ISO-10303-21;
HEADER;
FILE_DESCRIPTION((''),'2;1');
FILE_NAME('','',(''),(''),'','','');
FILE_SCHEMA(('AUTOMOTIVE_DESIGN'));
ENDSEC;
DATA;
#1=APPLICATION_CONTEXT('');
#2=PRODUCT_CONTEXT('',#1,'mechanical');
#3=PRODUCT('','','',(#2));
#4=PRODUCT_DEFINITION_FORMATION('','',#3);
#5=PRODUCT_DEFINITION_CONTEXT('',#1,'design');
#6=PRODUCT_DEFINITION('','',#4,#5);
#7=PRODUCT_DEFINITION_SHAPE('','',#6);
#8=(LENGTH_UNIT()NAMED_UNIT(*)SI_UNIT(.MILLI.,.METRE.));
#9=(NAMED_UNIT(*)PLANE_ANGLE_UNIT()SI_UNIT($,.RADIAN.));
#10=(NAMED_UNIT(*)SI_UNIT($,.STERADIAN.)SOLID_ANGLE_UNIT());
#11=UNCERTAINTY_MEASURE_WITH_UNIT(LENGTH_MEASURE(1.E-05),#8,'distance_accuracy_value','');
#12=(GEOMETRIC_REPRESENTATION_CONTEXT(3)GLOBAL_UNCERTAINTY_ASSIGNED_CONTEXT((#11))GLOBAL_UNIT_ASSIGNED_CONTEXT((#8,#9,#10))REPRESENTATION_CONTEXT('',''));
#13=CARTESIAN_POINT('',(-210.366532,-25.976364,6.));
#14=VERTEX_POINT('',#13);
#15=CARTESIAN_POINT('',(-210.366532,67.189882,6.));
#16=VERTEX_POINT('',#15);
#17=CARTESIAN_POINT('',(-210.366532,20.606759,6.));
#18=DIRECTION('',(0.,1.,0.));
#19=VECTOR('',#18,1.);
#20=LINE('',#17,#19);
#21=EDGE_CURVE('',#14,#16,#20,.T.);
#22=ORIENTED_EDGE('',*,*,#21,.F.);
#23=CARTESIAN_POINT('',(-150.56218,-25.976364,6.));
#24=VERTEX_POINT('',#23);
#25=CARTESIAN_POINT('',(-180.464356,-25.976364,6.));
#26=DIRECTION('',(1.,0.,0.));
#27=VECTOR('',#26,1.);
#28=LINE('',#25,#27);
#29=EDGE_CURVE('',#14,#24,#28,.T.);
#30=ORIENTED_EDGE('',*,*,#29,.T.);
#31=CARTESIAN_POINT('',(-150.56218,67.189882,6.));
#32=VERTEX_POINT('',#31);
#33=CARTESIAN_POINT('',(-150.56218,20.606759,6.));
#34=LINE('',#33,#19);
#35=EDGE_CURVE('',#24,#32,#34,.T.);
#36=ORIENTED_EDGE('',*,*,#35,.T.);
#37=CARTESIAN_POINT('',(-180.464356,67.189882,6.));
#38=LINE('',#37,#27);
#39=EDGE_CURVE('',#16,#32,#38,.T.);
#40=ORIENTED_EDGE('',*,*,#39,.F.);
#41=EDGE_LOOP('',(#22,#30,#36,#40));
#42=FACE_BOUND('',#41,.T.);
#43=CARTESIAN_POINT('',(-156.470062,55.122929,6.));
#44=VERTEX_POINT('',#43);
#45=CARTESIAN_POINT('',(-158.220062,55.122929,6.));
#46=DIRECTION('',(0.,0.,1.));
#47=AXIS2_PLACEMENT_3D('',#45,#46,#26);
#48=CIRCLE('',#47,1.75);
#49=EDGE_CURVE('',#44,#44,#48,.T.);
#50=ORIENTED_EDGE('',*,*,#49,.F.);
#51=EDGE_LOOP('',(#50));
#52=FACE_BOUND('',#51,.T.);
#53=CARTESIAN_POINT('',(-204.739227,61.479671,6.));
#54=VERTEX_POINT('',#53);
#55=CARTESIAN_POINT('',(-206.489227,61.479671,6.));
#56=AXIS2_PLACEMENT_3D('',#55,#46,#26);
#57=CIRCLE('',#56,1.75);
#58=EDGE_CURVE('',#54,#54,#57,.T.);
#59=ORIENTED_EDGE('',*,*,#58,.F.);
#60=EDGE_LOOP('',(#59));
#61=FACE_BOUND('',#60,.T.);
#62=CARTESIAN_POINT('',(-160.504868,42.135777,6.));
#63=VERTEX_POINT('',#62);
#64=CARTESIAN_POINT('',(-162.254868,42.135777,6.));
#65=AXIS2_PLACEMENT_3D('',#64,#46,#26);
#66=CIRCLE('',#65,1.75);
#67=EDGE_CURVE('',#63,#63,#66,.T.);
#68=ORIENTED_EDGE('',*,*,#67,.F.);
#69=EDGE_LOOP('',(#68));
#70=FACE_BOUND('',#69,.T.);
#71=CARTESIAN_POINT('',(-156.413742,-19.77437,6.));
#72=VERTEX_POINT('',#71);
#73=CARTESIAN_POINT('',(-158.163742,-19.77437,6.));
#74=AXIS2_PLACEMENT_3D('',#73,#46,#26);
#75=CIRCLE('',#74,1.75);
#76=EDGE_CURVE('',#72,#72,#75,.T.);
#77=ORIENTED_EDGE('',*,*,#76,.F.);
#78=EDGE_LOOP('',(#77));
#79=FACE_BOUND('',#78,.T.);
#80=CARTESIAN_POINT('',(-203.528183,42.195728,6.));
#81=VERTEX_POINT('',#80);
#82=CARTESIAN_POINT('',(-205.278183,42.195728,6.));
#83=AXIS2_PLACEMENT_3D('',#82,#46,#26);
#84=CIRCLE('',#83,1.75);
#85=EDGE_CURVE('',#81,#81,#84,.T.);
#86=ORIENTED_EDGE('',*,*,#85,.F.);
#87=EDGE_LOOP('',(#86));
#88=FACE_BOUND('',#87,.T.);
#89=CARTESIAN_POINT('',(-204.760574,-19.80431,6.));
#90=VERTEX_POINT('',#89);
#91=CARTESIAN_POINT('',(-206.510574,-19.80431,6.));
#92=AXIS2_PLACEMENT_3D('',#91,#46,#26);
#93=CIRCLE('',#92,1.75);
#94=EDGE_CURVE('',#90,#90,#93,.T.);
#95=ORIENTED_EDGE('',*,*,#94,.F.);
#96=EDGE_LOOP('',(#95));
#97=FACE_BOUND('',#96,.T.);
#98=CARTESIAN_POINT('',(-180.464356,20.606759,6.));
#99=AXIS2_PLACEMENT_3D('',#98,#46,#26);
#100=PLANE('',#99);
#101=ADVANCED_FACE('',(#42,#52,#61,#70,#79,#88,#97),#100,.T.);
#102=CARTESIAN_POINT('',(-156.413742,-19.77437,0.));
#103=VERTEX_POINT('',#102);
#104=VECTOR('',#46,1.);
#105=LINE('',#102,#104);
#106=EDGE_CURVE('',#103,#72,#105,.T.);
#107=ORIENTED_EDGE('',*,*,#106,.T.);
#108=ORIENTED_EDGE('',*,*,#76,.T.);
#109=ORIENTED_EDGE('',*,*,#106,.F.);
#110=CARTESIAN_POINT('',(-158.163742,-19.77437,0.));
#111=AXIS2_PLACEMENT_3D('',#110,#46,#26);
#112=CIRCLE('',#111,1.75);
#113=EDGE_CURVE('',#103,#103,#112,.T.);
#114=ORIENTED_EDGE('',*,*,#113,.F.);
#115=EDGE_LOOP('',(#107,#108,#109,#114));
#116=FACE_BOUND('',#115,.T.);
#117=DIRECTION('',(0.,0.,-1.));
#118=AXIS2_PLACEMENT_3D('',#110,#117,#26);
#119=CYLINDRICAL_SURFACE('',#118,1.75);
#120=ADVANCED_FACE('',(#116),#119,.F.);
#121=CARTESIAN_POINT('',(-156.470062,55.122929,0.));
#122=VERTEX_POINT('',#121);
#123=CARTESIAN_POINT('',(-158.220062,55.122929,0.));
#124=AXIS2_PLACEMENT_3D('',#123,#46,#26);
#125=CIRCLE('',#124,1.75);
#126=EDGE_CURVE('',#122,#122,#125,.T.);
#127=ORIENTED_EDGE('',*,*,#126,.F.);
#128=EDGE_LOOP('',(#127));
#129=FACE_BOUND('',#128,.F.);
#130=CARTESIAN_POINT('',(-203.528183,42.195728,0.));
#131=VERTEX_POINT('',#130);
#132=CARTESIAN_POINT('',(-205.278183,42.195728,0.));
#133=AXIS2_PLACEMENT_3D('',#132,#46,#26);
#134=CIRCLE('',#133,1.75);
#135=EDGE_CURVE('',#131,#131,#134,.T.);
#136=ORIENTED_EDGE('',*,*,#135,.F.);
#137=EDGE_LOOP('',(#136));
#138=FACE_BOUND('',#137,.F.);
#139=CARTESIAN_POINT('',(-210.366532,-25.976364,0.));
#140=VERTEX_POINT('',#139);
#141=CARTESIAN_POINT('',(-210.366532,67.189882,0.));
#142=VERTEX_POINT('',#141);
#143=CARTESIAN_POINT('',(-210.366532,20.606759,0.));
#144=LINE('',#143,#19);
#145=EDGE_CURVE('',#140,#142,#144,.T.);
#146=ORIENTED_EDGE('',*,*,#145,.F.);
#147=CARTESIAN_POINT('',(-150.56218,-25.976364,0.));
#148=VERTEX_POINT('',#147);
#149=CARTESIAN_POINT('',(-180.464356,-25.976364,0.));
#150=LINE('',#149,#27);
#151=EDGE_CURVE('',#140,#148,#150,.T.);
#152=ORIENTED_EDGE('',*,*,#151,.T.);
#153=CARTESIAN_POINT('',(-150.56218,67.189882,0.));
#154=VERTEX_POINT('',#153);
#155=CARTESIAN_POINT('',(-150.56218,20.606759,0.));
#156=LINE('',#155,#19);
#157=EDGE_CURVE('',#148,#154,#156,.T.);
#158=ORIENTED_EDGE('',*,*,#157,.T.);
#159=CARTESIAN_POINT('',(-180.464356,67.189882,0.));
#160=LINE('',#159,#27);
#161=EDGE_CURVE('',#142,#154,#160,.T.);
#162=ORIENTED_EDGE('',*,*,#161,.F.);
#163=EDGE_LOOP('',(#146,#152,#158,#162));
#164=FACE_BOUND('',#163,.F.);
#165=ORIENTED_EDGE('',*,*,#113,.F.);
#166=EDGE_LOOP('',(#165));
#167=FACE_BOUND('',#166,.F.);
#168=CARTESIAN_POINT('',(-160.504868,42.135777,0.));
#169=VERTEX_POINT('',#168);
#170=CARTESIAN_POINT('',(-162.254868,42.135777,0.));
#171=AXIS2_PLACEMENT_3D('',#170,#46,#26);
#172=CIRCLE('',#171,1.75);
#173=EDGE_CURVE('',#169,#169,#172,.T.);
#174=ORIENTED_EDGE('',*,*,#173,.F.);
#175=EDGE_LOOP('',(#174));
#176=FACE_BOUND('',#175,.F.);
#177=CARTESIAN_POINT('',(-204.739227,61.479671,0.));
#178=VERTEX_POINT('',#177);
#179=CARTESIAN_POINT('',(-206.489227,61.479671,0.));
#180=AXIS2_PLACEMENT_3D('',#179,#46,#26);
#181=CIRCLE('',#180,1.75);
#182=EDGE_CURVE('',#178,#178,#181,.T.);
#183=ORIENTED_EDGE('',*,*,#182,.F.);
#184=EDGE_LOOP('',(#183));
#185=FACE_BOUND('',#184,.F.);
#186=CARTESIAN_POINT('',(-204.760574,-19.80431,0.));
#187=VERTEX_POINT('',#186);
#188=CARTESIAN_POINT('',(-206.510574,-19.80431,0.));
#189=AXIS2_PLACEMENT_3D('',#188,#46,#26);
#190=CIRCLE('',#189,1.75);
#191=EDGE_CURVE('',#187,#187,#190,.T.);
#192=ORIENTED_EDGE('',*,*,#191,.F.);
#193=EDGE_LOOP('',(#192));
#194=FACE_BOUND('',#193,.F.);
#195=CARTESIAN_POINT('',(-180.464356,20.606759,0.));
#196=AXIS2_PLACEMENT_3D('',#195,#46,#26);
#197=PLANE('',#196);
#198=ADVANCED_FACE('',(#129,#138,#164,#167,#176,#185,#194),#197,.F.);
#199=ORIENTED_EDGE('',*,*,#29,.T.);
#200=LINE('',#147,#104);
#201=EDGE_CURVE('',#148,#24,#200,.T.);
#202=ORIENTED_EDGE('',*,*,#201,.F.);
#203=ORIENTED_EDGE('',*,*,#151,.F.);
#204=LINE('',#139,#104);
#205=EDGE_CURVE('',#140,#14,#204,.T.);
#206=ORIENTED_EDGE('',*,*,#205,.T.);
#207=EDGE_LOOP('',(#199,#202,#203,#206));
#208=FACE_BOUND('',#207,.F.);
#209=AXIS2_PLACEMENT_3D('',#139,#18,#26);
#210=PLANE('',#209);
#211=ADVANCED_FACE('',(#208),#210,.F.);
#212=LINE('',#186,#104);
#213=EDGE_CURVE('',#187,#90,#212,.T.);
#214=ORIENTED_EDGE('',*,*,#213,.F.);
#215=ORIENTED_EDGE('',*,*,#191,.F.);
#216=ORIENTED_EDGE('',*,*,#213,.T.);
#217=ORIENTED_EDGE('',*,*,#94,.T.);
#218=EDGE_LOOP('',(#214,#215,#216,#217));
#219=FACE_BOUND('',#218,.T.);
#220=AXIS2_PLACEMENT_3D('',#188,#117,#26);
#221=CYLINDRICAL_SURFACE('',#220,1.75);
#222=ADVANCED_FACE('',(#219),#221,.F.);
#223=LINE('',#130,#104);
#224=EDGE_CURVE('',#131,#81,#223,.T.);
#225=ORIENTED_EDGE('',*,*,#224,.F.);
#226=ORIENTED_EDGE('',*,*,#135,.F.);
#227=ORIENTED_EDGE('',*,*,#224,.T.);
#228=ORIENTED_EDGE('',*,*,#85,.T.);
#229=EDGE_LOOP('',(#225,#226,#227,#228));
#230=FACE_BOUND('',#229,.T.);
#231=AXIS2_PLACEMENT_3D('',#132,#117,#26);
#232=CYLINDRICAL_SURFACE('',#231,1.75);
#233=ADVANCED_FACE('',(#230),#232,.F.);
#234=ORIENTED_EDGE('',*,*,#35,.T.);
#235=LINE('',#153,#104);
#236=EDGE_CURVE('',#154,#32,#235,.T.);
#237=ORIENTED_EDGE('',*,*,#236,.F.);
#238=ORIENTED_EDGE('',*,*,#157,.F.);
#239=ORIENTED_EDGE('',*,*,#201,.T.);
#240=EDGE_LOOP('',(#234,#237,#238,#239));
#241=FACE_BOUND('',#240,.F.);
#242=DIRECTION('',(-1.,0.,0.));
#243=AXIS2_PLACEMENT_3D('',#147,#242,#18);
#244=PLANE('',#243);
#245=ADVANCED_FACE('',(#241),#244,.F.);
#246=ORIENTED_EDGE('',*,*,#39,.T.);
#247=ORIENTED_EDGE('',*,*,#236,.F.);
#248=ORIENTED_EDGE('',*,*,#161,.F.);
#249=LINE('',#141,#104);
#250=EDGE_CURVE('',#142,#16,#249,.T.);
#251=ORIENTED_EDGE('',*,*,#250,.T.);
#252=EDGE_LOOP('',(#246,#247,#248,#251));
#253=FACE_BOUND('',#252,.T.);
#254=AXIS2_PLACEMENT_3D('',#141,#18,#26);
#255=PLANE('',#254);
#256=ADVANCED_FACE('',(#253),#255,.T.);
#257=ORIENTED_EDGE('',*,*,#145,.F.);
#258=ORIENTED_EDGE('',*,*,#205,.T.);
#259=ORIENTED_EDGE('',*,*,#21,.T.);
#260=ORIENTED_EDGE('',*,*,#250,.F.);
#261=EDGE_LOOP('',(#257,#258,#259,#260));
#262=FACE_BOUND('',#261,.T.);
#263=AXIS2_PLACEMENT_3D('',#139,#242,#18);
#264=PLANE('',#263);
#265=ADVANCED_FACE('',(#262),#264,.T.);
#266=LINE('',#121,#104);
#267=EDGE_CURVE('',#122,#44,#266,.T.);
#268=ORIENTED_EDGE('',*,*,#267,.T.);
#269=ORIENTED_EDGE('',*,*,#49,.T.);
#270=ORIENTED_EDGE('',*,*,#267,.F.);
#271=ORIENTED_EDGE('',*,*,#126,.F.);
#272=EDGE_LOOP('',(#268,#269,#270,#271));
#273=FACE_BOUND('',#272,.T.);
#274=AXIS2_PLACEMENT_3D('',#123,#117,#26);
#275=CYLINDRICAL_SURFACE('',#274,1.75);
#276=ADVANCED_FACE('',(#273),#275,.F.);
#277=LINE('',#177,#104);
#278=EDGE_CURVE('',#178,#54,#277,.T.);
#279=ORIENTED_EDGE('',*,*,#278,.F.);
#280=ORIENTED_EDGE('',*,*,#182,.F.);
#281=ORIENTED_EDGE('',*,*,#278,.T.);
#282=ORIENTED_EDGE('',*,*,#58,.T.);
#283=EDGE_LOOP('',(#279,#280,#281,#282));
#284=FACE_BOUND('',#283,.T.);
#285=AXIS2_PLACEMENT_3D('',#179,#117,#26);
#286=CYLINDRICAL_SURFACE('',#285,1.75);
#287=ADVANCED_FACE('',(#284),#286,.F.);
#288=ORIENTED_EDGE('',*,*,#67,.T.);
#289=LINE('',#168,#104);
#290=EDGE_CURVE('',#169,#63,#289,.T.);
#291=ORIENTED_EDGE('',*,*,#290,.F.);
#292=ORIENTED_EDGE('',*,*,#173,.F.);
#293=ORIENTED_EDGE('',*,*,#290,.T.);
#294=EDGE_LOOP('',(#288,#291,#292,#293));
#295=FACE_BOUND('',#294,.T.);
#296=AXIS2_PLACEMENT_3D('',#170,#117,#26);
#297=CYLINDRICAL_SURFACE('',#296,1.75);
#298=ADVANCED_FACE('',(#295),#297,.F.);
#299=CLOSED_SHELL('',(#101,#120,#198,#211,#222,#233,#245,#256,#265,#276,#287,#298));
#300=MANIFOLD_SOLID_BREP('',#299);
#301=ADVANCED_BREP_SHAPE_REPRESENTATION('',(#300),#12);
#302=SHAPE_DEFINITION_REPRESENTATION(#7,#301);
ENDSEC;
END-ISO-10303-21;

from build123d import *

# Parameters (mm, degrees)
SKETCH_W  = 59.804352
SKETCH_H  = 93.166247
SKETCH_R  = 1.75
PAD_DEPTH = 6


with BuildPart() as part:
    # Sketch → Pad (new body)
    with BuildSketch(Plane.XY):
        with Locations((-180.464356, 20.606759)):
            Rectangle(SKETCH_W, SKETCH_H)
        with Locations((-206.510574, -19.80431)):
            Circle(SKETCH_R, mode=Mode.SUBTRACT)
        with Locations((-158.163742, -19.77437)):
            Circle(SKETCH_R, mode=Mode.SUBTRACT)
        with Locations((-205.278183, 42.195728)):
            Circle(SKETCH_R, mode=Mode.SUBTRACT)
        with Locations((-162.254868, 42.135777)):
            Circle(SKETCH_R, mode=Mode.SUBTRACT)
        with Locations((-158.220062, 55.122929)):
            Circle(SKETCH_R, mode=Mode.SUBTRACT)
        with Locations((-206.489227, 61.479671)):
            Circle(SKETCH_R, mode=Mode.SUBTRACT)
    extrude(amount=PAD_DEPTH)


solid = part.part
